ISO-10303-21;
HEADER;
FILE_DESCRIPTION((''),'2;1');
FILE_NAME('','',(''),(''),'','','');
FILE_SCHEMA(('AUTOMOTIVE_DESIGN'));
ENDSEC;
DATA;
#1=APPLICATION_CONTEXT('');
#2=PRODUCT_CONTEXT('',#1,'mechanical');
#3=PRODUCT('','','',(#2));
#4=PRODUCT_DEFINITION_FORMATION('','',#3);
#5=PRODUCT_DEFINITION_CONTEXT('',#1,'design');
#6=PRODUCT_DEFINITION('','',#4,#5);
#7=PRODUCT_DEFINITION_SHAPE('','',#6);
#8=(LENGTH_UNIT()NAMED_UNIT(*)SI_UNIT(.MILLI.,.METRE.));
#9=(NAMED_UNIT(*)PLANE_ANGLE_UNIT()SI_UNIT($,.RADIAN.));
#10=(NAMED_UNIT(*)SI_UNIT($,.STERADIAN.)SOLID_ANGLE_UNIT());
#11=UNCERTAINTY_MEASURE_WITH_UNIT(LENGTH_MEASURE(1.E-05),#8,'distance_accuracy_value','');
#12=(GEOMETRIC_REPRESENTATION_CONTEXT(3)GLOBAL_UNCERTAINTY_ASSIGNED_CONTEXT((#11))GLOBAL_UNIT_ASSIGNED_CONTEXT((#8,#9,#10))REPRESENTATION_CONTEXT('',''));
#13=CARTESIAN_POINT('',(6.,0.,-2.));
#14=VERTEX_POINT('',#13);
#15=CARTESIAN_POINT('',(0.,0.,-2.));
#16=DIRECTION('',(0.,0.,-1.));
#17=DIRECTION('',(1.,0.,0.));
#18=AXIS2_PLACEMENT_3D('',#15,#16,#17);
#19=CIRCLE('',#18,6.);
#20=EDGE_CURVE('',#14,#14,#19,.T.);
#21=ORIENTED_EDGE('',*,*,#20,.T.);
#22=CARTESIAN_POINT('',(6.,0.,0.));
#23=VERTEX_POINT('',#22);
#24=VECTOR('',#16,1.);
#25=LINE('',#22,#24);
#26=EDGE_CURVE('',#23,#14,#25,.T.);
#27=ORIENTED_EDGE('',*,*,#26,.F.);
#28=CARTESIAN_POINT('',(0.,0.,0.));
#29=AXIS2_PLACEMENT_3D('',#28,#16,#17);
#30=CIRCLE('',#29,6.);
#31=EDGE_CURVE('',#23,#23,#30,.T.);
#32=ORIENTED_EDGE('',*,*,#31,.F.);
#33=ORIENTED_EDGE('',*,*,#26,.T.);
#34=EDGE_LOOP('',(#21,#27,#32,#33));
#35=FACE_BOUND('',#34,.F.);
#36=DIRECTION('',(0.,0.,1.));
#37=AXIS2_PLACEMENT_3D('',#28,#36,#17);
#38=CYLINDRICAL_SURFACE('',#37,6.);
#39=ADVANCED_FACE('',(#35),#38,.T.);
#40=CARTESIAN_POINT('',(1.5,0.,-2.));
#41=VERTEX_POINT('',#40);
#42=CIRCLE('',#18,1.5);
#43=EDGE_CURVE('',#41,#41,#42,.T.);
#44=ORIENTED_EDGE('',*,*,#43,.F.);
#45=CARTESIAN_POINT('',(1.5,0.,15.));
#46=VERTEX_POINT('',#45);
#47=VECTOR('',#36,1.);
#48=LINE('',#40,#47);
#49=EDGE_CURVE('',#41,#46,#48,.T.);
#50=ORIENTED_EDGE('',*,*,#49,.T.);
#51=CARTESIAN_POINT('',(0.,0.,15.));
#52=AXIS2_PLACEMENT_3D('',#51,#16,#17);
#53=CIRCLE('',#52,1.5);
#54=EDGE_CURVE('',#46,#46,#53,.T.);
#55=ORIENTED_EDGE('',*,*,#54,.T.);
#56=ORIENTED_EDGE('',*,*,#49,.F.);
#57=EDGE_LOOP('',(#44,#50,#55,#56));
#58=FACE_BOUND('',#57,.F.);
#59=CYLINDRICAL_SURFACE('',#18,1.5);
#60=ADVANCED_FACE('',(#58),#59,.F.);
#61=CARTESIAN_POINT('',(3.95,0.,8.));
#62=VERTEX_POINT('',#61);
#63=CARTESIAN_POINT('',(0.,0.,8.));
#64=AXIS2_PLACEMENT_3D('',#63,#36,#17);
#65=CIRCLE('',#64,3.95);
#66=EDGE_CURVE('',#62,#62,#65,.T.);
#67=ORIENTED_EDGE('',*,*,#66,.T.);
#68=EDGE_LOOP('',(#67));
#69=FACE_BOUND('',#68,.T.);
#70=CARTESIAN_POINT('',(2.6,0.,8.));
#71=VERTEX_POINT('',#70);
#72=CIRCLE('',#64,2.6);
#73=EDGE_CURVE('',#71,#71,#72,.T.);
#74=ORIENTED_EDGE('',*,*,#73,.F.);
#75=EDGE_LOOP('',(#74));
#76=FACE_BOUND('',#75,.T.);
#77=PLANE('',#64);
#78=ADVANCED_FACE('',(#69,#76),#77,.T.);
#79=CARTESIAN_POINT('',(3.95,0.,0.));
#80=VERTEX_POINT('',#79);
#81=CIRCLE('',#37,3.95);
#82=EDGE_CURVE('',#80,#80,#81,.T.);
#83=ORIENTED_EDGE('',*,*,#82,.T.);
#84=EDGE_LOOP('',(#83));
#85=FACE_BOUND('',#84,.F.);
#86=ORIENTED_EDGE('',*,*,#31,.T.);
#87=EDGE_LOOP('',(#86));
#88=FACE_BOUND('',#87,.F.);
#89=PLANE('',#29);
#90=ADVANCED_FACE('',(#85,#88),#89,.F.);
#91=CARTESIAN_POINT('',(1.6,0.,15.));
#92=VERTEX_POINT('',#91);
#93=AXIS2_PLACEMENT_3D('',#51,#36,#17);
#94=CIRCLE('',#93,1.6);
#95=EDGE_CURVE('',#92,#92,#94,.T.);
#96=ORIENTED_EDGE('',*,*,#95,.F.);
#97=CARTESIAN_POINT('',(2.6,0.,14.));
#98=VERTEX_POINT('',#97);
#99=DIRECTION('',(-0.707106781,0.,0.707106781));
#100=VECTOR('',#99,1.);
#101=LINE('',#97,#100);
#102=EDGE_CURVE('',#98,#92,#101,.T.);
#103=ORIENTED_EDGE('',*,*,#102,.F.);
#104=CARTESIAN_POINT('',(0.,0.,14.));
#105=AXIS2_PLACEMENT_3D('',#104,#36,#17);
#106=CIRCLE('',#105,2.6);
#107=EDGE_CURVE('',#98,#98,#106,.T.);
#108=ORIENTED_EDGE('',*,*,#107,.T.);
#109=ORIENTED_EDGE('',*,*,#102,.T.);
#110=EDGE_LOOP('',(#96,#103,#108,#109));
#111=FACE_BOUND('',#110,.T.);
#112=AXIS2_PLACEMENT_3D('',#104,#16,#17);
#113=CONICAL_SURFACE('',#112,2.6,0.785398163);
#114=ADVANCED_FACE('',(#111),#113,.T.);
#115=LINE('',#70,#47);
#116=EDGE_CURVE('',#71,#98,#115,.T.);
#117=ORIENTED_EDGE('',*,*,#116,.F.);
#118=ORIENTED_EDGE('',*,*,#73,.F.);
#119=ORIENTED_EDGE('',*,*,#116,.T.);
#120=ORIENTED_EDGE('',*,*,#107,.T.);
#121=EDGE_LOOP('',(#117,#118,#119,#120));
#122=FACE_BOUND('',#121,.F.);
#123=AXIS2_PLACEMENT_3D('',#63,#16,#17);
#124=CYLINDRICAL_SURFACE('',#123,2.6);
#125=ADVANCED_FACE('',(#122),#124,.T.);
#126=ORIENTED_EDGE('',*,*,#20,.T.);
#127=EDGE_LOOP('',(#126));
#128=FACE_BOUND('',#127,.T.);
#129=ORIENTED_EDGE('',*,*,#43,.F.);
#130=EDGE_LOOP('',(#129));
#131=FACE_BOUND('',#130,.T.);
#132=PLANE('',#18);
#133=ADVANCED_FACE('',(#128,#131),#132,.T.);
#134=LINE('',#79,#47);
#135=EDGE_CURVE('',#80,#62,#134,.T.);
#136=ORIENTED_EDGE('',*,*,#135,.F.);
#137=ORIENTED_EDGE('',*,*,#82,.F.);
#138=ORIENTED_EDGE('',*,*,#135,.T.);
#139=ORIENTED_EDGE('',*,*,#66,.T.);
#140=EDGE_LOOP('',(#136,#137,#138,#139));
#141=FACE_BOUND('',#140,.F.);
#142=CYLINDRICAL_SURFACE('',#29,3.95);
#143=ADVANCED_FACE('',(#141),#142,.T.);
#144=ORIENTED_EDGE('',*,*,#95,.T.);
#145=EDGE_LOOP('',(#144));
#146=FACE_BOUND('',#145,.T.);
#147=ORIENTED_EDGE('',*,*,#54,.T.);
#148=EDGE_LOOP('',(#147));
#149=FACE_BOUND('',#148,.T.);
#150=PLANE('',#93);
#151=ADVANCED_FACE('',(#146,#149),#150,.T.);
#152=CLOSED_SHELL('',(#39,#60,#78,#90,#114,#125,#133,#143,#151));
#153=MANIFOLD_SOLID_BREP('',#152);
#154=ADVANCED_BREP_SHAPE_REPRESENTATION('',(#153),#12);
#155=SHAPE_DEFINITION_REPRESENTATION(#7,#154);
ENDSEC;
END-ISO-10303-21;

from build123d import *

# Parameters (mm, degrees)
F0_R     = 3.95
F1_DEPTH = 8
F2_R     = 2.6
F3_DEPTH = 7
F4_SIZE  = 1
F5_R     = 6
F6_DEPTH = 2
F7_R     = 1.5
F8_DEPTH = 17.001


with BuildPart() as f1:
    # F0 (on Top) → F1 (new body)
    with BuildSketch(Plane.XY):
        Circle(F0_R)
    extrude(amount=F1_DEPTH)

    # F2 (on face) → F3 (join)
    with BuildSketch(Plane.XY.offset(8)):
        Circle(F2_R)
    extrude(amount=F3_DEPTH)

    # F4
    f4_edges = [f1.edges().sort_by_distance(p)[0] for p in [
        (-2.6, 0, 15),
    ]]
    chamfer(f4_edges, length=F4_SIZE)

    # F5 (on face) → F6 (join)
    with BuildSketch(Plane(origin=(0, 0, 0), x_dir=(1, 0, 0), z_dir=(0, 0, -1))):
        Circle(F5_R)
    extrude(amount=F6_DEPTH)

    # F7 (on face) → F8 (cut, through all)
    with BuildSketch(Plane(origin=(0, 0, -2), x_dir=(1, 0, 0), z_dir=(0, 0, -1))):
        Circle(F7_R)
    extrude(amount=-F8_DEPTH, mode=Mode.SUBTRACT)


solid = f1.part
